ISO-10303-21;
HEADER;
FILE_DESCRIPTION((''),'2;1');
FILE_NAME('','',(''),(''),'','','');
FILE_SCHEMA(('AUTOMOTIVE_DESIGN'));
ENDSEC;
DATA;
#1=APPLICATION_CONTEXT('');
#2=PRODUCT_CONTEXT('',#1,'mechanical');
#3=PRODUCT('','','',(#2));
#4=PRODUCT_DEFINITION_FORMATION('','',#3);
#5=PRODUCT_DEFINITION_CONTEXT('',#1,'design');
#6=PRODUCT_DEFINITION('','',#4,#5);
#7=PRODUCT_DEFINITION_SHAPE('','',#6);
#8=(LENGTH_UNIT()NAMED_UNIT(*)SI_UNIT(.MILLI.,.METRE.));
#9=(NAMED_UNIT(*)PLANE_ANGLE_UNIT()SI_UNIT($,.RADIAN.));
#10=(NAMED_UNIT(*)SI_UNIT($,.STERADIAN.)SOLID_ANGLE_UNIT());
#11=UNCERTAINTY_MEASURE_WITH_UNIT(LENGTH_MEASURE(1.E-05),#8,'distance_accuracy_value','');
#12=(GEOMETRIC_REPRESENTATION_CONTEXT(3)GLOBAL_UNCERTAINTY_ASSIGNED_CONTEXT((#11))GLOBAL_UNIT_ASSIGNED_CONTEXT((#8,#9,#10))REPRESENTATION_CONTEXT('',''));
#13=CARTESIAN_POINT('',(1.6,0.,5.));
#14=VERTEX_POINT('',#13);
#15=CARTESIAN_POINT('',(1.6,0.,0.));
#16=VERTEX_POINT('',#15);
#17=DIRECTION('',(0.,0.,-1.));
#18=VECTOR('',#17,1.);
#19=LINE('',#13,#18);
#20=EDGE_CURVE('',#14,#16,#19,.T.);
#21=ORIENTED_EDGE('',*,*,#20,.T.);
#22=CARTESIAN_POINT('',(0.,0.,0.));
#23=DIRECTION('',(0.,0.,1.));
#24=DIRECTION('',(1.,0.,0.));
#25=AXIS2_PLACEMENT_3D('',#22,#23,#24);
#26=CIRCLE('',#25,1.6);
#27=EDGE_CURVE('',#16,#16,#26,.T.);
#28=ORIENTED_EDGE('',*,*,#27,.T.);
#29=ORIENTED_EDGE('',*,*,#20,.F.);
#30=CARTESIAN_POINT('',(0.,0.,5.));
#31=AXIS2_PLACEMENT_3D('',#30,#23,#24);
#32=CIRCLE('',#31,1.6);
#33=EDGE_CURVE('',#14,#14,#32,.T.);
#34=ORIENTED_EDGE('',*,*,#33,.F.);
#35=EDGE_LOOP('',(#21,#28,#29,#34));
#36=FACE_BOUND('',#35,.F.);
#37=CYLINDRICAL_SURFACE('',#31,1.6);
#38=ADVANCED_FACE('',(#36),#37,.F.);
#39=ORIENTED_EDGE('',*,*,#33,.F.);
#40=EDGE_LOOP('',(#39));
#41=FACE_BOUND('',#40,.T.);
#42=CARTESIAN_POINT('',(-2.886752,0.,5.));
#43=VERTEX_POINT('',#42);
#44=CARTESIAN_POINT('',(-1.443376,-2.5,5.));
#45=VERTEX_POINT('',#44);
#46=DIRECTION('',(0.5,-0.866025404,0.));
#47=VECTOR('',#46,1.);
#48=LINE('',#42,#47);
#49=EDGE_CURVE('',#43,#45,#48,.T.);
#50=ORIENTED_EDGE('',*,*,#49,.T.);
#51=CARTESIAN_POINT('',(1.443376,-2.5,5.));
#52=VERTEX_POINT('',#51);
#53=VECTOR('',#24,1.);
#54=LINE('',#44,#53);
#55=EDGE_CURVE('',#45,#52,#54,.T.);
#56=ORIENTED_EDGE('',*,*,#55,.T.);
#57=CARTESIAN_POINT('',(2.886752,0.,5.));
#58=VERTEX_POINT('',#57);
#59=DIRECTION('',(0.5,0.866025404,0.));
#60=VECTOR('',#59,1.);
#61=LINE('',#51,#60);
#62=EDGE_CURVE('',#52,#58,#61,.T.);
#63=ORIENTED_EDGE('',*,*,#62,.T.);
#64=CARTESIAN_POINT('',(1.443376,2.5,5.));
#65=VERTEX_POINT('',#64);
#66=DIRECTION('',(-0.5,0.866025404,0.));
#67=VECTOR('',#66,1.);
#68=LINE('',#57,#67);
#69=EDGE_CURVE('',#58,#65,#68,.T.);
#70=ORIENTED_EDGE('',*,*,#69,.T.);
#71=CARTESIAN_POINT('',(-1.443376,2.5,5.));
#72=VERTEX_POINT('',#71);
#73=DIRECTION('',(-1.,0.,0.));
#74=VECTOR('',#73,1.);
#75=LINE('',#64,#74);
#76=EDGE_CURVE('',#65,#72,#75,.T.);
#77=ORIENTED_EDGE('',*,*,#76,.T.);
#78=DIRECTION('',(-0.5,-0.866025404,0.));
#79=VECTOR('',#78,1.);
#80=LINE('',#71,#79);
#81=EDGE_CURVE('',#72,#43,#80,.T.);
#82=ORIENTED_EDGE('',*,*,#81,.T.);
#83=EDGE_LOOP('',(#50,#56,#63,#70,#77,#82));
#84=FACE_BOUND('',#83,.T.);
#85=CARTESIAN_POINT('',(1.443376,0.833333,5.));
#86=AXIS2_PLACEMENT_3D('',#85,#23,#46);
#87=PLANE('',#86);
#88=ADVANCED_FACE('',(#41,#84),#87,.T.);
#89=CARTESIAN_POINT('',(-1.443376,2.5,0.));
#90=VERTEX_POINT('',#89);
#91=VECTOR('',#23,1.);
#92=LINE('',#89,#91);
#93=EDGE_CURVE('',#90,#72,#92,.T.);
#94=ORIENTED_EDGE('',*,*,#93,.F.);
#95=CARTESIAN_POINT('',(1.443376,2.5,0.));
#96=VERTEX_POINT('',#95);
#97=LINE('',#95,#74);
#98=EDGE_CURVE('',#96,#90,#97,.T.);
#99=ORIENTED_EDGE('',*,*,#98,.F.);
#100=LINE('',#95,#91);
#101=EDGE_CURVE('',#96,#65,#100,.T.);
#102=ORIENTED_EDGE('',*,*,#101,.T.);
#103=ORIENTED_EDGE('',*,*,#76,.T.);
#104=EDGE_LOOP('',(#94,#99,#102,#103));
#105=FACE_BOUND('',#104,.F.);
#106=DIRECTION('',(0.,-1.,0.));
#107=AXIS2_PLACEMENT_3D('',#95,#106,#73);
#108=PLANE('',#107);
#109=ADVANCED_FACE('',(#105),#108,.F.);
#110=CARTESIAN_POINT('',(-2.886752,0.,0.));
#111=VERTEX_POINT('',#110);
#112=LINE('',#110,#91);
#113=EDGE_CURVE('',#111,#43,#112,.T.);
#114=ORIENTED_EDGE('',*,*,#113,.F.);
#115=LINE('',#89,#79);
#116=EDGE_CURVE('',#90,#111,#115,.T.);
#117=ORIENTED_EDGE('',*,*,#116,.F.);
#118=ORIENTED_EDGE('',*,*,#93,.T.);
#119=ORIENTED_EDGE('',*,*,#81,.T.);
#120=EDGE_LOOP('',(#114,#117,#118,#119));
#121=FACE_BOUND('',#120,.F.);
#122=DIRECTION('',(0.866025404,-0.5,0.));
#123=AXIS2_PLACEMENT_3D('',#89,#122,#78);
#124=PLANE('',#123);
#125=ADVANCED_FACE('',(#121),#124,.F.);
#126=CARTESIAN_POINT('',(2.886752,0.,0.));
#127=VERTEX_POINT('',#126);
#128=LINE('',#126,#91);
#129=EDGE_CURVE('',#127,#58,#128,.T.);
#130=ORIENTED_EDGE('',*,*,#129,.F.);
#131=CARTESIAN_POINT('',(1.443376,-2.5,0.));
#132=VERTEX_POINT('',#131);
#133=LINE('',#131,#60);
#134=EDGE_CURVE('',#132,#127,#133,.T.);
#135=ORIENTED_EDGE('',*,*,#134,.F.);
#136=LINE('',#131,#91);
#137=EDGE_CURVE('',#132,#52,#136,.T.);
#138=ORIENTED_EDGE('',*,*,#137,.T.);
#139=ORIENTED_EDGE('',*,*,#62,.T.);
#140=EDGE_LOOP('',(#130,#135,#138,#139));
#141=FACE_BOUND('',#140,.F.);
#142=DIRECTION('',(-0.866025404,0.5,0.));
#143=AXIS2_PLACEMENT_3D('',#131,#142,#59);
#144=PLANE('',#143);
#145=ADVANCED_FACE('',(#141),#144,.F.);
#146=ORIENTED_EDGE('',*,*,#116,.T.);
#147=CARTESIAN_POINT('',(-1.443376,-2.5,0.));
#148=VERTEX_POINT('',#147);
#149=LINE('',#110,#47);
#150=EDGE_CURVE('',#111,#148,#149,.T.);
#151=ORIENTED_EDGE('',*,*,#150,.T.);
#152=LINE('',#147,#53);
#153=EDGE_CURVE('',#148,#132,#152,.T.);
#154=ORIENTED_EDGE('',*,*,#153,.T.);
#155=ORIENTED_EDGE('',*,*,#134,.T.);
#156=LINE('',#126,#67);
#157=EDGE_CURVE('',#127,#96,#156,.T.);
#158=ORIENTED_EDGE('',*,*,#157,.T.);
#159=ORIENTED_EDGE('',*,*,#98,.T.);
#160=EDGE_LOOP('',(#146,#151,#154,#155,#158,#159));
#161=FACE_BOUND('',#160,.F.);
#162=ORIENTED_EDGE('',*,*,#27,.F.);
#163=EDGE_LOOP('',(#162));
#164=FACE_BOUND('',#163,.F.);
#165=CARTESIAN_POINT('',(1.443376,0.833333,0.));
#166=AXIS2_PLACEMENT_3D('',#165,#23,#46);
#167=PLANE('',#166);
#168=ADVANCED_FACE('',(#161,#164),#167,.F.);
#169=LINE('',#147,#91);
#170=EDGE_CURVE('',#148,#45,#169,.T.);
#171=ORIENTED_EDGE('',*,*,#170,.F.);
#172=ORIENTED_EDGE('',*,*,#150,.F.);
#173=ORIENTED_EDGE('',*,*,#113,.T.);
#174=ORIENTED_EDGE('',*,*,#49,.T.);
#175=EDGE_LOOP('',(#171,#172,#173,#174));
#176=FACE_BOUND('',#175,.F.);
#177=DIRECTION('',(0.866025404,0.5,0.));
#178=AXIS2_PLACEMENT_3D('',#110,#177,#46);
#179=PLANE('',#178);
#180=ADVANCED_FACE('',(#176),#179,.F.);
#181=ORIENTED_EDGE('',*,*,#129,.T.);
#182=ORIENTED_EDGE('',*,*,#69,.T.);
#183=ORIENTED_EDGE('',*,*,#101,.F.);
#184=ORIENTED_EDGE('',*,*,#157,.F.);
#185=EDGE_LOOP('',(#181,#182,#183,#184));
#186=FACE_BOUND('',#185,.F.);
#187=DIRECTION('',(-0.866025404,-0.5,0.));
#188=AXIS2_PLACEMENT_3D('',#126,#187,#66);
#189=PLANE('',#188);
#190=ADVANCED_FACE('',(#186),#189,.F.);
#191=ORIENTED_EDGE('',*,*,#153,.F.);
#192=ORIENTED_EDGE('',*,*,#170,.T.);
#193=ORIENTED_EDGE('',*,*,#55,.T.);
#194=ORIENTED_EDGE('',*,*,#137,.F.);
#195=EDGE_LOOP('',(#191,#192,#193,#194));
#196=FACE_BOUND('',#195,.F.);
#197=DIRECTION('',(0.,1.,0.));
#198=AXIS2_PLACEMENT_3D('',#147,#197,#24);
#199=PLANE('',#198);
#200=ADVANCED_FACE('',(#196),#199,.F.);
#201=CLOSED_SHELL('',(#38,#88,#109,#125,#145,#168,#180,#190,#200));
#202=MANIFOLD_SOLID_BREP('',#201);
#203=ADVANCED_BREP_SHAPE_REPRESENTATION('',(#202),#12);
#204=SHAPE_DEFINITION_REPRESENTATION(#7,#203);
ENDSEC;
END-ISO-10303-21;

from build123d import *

# Parameters (mm, degrees)
F1_DEPTH = 5
F2_COUNT = 6
F2_ANGLE = 300
F3_R     = 1.6
F4_DEPTH = 5.001


with BuildPart() as f1:
    # F0 (on Top) → F1 (new body)
    with BuildSketch(Plane.XY):
        Polygon((-1.443376, 2.5), (0, 0), (1.443376, 2.5), align=None)
    extrude(amount=F1_DEPTH)

    # F2: F1 ×6 about axis
    f2_axis = Axis((0, 0, 2.5), (0, 0, 1))


with BuildPart() as f1_1:
    add(f1.part)
    for i in range(1, F2_COUNT):
        add(f1.part.rotate(f2_axis, i * F2_ANGLE / (F2_COUNT - 1)))

    # F3 (on face) → F4 (cut, through all)
    with BuildSketch(Plane.XY.offset(5)):
        Circle(F3_R)
    extrude(amount=-F4_DEPTH, mode=Mode.SUBTRACT)


solid = f1_1.part
